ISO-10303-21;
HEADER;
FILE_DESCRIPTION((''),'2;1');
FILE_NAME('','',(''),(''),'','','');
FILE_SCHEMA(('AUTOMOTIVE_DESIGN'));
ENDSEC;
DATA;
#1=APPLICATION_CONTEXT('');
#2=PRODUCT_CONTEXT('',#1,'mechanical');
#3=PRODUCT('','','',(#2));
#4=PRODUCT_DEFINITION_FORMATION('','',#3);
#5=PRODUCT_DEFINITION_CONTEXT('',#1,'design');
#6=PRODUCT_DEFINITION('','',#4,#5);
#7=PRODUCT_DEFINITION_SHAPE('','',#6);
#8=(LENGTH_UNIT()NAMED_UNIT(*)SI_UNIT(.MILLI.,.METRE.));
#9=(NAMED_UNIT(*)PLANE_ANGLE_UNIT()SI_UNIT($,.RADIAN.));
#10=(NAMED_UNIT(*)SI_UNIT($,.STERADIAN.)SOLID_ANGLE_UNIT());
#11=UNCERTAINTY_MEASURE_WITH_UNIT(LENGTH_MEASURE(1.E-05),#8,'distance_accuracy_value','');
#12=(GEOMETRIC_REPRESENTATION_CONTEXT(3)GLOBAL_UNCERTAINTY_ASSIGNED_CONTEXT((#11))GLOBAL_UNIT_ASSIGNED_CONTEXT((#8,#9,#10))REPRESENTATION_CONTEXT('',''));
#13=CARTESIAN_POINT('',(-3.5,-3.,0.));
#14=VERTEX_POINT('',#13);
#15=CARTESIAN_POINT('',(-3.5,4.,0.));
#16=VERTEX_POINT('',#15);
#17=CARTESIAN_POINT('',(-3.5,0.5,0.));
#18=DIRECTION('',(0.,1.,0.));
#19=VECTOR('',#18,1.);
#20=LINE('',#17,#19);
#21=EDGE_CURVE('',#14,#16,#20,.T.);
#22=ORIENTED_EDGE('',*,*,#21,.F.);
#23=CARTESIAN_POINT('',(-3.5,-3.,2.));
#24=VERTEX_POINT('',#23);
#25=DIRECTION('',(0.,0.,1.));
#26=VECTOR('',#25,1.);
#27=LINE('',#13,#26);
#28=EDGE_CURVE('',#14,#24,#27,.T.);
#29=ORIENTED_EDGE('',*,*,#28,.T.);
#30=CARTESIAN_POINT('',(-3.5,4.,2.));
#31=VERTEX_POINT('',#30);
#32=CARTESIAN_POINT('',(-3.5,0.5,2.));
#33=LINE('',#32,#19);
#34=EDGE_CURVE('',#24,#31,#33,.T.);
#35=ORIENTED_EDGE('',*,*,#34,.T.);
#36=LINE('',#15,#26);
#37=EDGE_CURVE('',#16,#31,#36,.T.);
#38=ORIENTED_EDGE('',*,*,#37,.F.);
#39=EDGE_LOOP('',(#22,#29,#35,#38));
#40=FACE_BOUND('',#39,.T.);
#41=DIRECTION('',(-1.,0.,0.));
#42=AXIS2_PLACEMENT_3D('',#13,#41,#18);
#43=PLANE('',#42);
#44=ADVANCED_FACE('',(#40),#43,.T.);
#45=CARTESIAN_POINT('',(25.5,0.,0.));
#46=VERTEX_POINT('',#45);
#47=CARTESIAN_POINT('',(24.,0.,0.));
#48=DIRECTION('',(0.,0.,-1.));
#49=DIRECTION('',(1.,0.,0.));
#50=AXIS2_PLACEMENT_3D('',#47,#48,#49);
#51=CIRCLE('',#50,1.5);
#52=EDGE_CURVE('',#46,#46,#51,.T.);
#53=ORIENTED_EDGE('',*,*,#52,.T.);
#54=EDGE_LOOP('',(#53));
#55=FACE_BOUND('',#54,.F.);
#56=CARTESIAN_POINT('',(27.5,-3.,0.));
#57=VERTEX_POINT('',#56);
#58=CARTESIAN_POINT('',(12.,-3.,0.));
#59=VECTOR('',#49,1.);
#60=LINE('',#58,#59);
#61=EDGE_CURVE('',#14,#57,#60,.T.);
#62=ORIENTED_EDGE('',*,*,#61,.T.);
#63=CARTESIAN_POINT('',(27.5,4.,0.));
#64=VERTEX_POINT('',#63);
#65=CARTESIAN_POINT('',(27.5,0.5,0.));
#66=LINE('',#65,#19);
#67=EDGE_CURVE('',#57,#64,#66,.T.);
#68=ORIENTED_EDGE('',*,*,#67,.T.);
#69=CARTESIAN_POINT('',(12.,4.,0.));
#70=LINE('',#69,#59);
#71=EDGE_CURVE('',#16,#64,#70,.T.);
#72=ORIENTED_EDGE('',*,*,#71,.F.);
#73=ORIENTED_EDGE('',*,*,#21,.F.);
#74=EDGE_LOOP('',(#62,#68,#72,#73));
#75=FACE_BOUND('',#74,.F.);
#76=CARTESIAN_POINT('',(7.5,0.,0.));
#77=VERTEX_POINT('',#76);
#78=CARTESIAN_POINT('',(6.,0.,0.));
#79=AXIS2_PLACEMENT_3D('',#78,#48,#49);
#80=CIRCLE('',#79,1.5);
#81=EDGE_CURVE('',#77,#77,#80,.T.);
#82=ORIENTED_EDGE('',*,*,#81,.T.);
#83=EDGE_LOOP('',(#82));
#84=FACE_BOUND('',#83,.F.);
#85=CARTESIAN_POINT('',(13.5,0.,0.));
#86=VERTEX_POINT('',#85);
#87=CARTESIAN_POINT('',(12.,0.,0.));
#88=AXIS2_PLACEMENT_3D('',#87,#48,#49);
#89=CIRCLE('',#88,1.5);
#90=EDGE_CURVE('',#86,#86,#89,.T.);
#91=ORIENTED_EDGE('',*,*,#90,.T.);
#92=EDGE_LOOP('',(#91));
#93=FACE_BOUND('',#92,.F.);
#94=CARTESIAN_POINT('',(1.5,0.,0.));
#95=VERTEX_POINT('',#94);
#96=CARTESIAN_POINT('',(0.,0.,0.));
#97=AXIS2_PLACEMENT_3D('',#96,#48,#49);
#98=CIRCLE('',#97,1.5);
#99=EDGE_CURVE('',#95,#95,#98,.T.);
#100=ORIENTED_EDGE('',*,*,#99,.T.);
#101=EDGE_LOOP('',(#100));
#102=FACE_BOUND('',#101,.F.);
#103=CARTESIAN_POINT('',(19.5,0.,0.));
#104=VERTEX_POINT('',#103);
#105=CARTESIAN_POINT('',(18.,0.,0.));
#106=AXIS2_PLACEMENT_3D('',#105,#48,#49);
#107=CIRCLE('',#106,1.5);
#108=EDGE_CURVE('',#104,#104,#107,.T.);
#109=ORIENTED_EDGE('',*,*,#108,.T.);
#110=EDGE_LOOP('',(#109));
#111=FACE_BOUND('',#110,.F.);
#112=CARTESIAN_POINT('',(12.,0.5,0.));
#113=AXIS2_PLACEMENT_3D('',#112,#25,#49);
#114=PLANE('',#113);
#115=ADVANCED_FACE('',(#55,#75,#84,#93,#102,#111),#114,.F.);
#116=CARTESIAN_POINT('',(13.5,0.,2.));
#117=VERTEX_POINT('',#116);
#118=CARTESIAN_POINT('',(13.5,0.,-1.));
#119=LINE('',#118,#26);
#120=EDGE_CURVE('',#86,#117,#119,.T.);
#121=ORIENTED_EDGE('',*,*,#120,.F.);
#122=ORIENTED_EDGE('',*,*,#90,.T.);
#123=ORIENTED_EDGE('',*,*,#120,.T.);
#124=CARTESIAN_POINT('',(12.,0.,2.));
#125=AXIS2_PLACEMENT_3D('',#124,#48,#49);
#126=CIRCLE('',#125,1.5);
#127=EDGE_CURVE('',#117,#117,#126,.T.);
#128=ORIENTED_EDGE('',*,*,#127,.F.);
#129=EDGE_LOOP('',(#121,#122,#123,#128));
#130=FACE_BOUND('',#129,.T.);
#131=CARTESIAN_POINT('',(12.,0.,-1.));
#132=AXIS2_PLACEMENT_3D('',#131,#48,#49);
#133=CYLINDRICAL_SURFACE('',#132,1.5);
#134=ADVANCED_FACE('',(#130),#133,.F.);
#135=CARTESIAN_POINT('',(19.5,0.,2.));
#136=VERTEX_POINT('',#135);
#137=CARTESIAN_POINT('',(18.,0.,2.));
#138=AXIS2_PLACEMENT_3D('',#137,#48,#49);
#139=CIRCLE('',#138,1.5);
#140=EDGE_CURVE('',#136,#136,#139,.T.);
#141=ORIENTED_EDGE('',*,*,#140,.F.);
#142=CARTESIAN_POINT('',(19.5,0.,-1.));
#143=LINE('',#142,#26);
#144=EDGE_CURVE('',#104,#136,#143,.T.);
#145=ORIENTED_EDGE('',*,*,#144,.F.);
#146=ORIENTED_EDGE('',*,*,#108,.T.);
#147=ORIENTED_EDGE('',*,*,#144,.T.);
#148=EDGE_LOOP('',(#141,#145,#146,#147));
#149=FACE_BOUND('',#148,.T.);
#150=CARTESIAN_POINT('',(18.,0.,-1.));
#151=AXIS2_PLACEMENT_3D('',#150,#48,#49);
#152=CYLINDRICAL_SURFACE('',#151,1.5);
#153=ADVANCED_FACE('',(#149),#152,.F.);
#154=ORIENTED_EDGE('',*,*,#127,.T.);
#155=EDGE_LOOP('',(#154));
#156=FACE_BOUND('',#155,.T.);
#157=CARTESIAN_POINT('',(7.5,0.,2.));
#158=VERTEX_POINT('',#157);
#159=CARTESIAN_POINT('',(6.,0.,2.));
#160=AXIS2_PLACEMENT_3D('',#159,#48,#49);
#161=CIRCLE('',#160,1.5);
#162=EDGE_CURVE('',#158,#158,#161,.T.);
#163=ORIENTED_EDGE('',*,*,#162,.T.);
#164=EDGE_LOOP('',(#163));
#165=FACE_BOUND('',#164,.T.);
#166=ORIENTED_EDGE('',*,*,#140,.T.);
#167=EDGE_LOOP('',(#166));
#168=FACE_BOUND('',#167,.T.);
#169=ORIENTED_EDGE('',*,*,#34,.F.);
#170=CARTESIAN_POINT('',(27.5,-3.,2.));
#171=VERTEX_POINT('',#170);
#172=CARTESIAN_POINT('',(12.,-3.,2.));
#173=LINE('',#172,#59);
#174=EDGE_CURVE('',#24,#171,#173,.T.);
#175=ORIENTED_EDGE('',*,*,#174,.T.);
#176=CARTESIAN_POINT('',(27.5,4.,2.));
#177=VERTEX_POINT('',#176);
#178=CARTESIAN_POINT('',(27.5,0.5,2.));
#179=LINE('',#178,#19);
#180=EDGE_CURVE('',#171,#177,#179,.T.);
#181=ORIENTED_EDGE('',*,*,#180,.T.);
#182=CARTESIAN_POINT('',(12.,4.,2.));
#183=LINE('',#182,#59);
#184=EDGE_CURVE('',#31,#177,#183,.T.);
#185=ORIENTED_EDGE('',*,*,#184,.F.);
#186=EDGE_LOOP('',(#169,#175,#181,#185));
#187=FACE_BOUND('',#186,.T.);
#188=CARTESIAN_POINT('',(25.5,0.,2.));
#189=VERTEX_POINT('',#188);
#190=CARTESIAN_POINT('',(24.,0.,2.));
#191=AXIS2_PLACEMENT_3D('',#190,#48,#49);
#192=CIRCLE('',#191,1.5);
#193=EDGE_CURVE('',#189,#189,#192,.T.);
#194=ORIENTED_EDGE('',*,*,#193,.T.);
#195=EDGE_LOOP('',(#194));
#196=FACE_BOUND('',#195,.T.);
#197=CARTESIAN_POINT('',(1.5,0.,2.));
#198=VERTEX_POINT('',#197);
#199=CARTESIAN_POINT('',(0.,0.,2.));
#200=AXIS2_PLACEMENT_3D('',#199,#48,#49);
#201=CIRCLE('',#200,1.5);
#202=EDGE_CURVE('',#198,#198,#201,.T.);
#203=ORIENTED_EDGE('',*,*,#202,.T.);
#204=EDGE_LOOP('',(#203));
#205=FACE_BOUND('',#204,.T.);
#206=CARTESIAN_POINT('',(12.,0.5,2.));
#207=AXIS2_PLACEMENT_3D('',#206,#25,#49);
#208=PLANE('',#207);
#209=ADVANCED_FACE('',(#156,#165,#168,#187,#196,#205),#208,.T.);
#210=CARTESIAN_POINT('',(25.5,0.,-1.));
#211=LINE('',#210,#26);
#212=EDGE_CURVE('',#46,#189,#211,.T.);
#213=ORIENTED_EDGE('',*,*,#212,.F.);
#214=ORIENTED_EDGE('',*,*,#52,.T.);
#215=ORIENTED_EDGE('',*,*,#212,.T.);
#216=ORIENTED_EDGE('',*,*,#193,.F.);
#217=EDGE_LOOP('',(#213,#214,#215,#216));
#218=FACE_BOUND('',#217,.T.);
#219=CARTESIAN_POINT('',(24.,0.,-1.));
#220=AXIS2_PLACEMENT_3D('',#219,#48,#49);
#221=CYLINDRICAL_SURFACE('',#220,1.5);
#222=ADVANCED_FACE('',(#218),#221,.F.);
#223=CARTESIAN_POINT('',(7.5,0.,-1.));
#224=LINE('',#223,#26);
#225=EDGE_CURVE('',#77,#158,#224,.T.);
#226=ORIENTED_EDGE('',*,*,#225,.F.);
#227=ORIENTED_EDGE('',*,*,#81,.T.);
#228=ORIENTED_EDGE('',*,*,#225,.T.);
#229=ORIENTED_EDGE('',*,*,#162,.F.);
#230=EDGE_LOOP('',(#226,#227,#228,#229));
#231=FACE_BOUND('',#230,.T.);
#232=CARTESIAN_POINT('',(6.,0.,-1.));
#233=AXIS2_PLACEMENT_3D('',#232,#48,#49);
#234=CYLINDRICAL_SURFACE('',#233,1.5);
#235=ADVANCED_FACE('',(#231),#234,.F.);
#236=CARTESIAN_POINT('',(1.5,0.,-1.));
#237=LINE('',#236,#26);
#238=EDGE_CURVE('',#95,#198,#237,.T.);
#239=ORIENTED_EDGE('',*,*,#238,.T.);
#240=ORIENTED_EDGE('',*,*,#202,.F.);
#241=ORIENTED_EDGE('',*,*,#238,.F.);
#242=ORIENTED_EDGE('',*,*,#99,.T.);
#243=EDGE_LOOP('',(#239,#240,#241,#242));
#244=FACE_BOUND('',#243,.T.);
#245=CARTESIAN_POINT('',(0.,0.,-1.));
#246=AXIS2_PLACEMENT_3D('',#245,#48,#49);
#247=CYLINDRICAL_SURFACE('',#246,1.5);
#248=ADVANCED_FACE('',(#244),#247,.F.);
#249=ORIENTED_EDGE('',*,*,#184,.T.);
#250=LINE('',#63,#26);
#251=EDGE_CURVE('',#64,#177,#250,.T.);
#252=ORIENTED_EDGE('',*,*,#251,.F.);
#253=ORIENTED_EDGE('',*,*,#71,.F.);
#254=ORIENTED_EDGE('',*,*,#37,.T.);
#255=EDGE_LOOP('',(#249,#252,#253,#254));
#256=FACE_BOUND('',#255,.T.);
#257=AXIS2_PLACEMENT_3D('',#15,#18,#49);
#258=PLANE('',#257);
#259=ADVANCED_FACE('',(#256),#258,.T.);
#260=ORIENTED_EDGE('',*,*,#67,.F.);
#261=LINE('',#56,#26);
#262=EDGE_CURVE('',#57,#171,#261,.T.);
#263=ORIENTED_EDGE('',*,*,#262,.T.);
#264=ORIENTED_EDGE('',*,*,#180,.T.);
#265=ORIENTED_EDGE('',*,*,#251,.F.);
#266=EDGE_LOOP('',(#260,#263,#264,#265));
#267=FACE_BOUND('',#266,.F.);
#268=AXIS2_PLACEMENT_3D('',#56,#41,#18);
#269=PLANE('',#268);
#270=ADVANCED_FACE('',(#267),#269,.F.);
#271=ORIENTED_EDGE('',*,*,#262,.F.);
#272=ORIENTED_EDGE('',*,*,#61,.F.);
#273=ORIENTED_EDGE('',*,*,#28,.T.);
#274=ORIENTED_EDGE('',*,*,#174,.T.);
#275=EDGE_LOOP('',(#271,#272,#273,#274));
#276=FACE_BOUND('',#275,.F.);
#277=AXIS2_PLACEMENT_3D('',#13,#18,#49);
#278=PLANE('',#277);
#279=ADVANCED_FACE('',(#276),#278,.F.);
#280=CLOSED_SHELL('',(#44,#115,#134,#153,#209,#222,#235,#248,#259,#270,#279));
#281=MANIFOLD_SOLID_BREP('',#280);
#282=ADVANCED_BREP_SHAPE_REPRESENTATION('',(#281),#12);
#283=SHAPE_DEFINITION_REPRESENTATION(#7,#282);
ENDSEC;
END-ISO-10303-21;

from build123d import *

# Parameters (mm, degrees)
CYLINDER_R     = 1.5
CYLINDER_DEPTH = 10
ARRAY_X_COUNT  = 5
ARRAY_X_PITCH  = 6
BOX_W          = 31
BOX_H          = 7
BOX_DEPTH      = 2


with BuildPart() as array:
    # Cylinder → Cylinder (new body)
    with BuildSketch(Plane.XY):
        Circle(CYLINDER_R)
    extrude(amount=CYLINDER_DEPTH)

    # Array X: Array ×5


with BuildPart() as array_1:
    add(array.part)
    with Locations(*[(i * ARRAY_X_PITCH, 0, 0) for i in range(1, ARRAY_X_COUNT)]):
        add(array.part)


with BuildPart() as array_2:
    # Array placement: moved
    add(array_1.part.moved(Location((0, 0, -1))))


with BuildPart() as cut:
    # Box → Box (new body)
    with BuildSketch(Plane(origin=(-3.5, -3, 0), x_dir=(1, 0, 0), z_dir=(0, 0, 1))):
        with Locations((15.5, 3.5)):
            Rectangle(BOX_W, BOX_H)
    extrude(amount=BOX_DEPTH)

    # Cut: cut Array
    add(array_2.part, mode=Mode.SUBTRACT)


solid = cut.part
